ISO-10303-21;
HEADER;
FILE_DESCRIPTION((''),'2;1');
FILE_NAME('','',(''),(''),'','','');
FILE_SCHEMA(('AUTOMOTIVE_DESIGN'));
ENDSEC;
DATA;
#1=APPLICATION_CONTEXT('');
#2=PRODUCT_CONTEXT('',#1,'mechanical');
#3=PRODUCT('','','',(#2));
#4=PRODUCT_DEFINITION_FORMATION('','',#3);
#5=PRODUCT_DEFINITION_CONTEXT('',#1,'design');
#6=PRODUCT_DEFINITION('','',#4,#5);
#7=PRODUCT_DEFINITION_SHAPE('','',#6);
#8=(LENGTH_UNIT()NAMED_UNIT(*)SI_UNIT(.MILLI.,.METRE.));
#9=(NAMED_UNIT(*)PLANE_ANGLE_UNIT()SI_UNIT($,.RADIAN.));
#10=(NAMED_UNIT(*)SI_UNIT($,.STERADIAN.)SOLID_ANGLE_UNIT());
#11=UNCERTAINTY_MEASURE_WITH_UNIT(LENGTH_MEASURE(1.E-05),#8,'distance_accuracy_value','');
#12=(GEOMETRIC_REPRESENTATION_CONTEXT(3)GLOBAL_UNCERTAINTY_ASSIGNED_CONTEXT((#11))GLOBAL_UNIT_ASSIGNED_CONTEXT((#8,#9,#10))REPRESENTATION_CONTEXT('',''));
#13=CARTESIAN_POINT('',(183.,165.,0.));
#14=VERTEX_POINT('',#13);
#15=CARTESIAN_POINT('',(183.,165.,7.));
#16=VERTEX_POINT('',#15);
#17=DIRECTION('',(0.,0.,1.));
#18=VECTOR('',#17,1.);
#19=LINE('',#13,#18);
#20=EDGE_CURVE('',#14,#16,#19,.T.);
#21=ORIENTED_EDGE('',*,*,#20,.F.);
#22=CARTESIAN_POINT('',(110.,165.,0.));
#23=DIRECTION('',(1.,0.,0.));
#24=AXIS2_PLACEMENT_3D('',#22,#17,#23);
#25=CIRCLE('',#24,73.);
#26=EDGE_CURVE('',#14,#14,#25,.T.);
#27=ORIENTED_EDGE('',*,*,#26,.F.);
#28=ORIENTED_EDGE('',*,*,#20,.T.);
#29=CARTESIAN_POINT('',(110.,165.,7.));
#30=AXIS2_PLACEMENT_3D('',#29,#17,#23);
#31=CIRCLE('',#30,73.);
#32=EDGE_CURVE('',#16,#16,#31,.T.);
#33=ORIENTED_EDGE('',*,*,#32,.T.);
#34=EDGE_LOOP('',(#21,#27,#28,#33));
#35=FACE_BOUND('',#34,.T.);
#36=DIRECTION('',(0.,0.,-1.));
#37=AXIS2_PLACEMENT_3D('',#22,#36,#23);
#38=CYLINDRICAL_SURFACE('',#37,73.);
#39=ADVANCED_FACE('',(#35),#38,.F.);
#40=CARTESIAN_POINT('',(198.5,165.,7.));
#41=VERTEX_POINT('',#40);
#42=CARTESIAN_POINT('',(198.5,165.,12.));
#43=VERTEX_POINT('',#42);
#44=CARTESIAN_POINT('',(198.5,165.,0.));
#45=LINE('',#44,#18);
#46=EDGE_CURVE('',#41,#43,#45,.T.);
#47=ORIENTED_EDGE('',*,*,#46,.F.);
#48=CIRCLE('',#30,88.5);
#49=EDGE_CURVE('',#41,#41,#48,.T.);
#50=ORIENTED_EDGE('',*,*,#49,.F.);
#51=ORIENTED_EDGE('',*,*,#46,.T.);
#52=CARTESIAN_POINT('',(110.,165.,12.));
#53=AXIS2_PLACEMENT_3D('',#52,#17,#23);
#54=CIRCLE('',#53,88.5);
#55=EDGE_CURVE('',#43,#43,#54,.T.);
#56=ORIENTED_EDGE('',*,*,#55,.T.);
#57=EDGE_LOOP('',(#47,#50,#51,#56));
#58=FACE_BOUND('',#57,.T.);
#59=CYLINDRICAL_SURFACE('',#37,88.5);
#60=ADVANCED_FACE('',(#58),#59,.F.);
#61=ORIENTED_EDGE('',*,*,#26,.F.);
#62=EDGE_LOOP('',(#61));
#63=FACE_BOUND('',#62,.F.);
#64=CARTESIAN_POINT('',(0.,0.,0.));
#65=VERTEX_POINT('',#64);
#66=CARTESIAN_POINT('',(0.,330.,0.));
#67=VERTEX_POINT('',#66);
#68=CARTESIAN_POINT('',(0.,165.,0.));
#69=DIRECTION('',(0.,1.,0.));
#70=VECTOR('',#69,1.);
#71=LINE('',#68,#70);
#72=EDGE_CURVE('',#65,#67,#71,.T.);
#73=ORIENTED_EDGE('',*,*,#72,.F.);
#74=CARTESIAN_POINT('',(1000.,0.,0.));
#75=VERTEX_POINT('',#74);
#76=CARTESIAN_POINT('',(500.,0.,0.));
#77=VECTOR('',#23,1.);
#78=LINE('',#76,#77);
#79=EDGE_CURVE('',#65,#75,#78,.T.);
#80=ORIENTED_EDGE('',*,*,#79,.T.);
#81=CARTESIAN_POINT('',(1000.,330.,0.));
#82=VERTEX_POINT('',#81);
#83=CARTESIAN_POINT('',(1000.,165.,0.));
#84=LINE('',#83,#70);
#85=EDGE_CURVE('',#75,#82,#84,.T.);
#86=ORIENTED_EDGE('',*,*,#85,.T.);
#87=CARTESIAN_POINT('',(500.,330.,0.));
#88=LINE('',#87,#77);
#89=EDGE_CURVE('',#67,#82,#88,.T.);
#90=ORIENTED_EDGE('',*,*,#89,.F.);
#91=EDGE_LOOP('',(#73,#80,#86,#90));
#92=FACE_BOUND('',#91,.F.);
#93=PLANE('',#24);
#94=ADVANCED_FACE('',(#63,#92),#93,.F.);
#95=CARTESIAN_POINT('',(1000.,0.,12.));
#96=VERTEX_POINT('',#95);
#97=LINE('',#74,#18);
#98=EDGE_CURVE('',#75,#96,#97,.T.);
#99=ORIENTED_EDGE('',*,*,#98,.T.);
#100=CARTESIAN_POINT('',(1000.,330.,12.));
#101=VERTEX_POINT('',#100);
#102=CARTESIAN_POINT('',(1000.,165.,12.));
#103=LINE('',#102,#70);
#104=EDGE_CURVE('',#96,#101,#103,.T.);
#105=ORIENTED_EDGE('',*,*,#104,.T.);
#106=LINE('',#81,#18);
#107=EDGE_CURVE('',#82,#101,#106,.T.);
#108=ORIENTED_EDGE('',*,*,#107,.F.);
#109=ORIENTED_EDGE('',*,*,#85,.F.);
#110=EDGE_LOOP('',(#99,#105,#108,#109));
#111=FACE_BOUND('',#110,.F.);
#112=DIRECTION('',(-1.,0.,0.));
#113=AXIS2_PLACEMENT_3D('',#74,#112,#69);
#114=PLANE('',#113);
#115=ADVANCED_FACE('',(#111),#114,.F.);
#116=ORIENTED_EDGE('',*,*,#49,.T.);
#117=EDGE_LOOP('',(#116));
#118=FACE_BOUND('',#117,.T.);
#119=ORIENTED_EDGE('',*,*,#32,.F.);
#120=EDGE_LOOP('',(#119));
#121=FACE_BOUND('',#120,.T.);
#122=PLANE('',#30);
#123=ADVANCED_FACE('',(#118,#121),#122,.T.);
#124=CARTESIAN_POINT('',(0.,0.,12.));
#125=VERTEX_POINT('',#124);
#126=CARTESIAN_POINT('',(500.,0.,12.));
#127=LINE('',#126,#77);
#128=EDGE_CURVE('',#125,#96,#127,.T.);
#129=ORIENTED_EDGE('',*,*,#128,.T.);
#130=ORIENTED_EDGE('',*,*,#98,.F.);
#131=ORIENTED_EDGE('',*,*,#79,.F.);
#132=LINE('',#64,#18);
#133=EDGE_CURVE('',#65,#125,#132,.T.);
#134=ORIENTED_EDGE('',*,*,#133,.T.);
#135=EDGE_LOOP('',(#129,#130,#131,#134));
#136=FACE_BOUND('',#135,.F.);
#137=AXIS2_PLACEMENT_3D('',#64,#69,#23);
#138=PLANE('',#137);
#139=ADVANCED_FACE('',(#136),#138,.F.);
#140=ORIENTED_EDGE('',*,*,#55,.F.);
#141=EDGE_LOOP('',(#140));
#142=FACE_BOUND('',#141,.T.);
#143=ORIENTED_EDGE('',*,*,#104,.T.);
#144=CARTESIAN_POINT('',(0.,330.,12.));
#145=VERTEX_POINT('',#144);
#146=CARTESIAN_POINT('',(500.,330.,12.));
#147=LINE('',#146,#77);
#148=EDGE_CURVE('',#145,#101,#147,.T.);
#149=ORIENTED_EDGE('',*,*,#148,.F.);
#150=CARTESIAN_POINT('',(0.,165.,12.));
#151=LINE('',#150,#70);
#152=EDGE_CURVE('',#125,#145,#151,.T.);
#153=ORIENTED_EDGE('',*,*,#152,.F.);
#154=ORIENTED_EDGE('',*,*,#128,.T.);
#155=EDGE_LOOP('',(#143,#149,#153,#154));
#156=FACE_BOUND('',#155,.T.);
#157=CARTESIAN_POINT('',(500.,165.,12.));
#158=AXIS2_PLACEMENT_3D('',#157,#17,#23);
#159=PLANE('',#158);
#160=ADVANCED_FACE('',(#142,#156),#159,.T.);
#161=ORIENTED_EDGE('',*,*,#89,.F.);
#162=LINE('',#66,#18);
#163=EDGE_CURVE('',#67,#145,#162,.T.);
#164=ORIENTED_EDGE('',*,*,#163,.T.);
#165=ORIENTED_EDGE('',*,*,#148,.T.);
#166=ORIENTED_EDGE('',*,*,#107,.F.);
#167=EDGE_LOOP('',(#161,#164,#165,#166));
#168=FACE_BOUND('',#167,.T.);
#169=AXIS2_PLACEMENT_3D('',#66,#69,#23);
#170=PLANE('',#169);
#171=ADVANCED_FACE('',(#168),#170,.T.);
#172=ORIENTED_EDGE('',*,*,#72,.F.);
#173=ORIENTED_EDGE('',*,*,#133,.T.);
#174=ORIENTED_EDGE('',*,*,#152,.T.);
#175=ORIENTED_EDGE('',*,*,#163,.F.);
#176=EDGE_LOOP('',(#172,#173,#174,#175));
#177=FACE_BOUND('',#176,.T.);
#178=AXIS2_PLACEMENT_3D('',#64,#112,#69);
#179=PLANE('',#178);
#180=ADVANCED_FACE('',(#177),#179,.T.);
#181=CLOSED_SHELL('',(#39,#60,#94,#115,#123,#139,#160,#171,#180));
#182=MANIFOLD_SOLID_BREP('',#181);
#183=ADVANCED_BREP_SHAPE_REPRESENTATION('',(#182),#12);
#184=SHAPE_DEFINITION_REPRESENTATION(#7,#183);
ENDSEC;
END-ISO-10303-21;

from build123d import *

# Parameters (mm, degrees)
F0_W     = 1000
F0_H     = 330
F0_R     = 88.5
F1_DEPTH = 12
F0_R_2   = 73
F2_DEPTH = 7


with BuildPart() as f1:
    # F0 (on Top) → F1 (new body)
    with BuildSketch(Plane.XY):
        with Locations((500, 165)):
            Rectangle(F0_W, F0_H)
        with Locations((110, 165)):
            Circle(F0_R, mode=Mode.SUBTRACT)
    extrude(amount=F1_DEPTH)

    # F0 (on Top) → F2 (join)
    with BuildSketch(Plane.XY):
        with Locations((110, 165)):
            Circle(F0_R)
        with Locations((110, 165)):
            Circle(F0_R_2, mode=Mode.SUBTRACT)
    extrude(amount=F2_DEPTH)


solid = f1.part
